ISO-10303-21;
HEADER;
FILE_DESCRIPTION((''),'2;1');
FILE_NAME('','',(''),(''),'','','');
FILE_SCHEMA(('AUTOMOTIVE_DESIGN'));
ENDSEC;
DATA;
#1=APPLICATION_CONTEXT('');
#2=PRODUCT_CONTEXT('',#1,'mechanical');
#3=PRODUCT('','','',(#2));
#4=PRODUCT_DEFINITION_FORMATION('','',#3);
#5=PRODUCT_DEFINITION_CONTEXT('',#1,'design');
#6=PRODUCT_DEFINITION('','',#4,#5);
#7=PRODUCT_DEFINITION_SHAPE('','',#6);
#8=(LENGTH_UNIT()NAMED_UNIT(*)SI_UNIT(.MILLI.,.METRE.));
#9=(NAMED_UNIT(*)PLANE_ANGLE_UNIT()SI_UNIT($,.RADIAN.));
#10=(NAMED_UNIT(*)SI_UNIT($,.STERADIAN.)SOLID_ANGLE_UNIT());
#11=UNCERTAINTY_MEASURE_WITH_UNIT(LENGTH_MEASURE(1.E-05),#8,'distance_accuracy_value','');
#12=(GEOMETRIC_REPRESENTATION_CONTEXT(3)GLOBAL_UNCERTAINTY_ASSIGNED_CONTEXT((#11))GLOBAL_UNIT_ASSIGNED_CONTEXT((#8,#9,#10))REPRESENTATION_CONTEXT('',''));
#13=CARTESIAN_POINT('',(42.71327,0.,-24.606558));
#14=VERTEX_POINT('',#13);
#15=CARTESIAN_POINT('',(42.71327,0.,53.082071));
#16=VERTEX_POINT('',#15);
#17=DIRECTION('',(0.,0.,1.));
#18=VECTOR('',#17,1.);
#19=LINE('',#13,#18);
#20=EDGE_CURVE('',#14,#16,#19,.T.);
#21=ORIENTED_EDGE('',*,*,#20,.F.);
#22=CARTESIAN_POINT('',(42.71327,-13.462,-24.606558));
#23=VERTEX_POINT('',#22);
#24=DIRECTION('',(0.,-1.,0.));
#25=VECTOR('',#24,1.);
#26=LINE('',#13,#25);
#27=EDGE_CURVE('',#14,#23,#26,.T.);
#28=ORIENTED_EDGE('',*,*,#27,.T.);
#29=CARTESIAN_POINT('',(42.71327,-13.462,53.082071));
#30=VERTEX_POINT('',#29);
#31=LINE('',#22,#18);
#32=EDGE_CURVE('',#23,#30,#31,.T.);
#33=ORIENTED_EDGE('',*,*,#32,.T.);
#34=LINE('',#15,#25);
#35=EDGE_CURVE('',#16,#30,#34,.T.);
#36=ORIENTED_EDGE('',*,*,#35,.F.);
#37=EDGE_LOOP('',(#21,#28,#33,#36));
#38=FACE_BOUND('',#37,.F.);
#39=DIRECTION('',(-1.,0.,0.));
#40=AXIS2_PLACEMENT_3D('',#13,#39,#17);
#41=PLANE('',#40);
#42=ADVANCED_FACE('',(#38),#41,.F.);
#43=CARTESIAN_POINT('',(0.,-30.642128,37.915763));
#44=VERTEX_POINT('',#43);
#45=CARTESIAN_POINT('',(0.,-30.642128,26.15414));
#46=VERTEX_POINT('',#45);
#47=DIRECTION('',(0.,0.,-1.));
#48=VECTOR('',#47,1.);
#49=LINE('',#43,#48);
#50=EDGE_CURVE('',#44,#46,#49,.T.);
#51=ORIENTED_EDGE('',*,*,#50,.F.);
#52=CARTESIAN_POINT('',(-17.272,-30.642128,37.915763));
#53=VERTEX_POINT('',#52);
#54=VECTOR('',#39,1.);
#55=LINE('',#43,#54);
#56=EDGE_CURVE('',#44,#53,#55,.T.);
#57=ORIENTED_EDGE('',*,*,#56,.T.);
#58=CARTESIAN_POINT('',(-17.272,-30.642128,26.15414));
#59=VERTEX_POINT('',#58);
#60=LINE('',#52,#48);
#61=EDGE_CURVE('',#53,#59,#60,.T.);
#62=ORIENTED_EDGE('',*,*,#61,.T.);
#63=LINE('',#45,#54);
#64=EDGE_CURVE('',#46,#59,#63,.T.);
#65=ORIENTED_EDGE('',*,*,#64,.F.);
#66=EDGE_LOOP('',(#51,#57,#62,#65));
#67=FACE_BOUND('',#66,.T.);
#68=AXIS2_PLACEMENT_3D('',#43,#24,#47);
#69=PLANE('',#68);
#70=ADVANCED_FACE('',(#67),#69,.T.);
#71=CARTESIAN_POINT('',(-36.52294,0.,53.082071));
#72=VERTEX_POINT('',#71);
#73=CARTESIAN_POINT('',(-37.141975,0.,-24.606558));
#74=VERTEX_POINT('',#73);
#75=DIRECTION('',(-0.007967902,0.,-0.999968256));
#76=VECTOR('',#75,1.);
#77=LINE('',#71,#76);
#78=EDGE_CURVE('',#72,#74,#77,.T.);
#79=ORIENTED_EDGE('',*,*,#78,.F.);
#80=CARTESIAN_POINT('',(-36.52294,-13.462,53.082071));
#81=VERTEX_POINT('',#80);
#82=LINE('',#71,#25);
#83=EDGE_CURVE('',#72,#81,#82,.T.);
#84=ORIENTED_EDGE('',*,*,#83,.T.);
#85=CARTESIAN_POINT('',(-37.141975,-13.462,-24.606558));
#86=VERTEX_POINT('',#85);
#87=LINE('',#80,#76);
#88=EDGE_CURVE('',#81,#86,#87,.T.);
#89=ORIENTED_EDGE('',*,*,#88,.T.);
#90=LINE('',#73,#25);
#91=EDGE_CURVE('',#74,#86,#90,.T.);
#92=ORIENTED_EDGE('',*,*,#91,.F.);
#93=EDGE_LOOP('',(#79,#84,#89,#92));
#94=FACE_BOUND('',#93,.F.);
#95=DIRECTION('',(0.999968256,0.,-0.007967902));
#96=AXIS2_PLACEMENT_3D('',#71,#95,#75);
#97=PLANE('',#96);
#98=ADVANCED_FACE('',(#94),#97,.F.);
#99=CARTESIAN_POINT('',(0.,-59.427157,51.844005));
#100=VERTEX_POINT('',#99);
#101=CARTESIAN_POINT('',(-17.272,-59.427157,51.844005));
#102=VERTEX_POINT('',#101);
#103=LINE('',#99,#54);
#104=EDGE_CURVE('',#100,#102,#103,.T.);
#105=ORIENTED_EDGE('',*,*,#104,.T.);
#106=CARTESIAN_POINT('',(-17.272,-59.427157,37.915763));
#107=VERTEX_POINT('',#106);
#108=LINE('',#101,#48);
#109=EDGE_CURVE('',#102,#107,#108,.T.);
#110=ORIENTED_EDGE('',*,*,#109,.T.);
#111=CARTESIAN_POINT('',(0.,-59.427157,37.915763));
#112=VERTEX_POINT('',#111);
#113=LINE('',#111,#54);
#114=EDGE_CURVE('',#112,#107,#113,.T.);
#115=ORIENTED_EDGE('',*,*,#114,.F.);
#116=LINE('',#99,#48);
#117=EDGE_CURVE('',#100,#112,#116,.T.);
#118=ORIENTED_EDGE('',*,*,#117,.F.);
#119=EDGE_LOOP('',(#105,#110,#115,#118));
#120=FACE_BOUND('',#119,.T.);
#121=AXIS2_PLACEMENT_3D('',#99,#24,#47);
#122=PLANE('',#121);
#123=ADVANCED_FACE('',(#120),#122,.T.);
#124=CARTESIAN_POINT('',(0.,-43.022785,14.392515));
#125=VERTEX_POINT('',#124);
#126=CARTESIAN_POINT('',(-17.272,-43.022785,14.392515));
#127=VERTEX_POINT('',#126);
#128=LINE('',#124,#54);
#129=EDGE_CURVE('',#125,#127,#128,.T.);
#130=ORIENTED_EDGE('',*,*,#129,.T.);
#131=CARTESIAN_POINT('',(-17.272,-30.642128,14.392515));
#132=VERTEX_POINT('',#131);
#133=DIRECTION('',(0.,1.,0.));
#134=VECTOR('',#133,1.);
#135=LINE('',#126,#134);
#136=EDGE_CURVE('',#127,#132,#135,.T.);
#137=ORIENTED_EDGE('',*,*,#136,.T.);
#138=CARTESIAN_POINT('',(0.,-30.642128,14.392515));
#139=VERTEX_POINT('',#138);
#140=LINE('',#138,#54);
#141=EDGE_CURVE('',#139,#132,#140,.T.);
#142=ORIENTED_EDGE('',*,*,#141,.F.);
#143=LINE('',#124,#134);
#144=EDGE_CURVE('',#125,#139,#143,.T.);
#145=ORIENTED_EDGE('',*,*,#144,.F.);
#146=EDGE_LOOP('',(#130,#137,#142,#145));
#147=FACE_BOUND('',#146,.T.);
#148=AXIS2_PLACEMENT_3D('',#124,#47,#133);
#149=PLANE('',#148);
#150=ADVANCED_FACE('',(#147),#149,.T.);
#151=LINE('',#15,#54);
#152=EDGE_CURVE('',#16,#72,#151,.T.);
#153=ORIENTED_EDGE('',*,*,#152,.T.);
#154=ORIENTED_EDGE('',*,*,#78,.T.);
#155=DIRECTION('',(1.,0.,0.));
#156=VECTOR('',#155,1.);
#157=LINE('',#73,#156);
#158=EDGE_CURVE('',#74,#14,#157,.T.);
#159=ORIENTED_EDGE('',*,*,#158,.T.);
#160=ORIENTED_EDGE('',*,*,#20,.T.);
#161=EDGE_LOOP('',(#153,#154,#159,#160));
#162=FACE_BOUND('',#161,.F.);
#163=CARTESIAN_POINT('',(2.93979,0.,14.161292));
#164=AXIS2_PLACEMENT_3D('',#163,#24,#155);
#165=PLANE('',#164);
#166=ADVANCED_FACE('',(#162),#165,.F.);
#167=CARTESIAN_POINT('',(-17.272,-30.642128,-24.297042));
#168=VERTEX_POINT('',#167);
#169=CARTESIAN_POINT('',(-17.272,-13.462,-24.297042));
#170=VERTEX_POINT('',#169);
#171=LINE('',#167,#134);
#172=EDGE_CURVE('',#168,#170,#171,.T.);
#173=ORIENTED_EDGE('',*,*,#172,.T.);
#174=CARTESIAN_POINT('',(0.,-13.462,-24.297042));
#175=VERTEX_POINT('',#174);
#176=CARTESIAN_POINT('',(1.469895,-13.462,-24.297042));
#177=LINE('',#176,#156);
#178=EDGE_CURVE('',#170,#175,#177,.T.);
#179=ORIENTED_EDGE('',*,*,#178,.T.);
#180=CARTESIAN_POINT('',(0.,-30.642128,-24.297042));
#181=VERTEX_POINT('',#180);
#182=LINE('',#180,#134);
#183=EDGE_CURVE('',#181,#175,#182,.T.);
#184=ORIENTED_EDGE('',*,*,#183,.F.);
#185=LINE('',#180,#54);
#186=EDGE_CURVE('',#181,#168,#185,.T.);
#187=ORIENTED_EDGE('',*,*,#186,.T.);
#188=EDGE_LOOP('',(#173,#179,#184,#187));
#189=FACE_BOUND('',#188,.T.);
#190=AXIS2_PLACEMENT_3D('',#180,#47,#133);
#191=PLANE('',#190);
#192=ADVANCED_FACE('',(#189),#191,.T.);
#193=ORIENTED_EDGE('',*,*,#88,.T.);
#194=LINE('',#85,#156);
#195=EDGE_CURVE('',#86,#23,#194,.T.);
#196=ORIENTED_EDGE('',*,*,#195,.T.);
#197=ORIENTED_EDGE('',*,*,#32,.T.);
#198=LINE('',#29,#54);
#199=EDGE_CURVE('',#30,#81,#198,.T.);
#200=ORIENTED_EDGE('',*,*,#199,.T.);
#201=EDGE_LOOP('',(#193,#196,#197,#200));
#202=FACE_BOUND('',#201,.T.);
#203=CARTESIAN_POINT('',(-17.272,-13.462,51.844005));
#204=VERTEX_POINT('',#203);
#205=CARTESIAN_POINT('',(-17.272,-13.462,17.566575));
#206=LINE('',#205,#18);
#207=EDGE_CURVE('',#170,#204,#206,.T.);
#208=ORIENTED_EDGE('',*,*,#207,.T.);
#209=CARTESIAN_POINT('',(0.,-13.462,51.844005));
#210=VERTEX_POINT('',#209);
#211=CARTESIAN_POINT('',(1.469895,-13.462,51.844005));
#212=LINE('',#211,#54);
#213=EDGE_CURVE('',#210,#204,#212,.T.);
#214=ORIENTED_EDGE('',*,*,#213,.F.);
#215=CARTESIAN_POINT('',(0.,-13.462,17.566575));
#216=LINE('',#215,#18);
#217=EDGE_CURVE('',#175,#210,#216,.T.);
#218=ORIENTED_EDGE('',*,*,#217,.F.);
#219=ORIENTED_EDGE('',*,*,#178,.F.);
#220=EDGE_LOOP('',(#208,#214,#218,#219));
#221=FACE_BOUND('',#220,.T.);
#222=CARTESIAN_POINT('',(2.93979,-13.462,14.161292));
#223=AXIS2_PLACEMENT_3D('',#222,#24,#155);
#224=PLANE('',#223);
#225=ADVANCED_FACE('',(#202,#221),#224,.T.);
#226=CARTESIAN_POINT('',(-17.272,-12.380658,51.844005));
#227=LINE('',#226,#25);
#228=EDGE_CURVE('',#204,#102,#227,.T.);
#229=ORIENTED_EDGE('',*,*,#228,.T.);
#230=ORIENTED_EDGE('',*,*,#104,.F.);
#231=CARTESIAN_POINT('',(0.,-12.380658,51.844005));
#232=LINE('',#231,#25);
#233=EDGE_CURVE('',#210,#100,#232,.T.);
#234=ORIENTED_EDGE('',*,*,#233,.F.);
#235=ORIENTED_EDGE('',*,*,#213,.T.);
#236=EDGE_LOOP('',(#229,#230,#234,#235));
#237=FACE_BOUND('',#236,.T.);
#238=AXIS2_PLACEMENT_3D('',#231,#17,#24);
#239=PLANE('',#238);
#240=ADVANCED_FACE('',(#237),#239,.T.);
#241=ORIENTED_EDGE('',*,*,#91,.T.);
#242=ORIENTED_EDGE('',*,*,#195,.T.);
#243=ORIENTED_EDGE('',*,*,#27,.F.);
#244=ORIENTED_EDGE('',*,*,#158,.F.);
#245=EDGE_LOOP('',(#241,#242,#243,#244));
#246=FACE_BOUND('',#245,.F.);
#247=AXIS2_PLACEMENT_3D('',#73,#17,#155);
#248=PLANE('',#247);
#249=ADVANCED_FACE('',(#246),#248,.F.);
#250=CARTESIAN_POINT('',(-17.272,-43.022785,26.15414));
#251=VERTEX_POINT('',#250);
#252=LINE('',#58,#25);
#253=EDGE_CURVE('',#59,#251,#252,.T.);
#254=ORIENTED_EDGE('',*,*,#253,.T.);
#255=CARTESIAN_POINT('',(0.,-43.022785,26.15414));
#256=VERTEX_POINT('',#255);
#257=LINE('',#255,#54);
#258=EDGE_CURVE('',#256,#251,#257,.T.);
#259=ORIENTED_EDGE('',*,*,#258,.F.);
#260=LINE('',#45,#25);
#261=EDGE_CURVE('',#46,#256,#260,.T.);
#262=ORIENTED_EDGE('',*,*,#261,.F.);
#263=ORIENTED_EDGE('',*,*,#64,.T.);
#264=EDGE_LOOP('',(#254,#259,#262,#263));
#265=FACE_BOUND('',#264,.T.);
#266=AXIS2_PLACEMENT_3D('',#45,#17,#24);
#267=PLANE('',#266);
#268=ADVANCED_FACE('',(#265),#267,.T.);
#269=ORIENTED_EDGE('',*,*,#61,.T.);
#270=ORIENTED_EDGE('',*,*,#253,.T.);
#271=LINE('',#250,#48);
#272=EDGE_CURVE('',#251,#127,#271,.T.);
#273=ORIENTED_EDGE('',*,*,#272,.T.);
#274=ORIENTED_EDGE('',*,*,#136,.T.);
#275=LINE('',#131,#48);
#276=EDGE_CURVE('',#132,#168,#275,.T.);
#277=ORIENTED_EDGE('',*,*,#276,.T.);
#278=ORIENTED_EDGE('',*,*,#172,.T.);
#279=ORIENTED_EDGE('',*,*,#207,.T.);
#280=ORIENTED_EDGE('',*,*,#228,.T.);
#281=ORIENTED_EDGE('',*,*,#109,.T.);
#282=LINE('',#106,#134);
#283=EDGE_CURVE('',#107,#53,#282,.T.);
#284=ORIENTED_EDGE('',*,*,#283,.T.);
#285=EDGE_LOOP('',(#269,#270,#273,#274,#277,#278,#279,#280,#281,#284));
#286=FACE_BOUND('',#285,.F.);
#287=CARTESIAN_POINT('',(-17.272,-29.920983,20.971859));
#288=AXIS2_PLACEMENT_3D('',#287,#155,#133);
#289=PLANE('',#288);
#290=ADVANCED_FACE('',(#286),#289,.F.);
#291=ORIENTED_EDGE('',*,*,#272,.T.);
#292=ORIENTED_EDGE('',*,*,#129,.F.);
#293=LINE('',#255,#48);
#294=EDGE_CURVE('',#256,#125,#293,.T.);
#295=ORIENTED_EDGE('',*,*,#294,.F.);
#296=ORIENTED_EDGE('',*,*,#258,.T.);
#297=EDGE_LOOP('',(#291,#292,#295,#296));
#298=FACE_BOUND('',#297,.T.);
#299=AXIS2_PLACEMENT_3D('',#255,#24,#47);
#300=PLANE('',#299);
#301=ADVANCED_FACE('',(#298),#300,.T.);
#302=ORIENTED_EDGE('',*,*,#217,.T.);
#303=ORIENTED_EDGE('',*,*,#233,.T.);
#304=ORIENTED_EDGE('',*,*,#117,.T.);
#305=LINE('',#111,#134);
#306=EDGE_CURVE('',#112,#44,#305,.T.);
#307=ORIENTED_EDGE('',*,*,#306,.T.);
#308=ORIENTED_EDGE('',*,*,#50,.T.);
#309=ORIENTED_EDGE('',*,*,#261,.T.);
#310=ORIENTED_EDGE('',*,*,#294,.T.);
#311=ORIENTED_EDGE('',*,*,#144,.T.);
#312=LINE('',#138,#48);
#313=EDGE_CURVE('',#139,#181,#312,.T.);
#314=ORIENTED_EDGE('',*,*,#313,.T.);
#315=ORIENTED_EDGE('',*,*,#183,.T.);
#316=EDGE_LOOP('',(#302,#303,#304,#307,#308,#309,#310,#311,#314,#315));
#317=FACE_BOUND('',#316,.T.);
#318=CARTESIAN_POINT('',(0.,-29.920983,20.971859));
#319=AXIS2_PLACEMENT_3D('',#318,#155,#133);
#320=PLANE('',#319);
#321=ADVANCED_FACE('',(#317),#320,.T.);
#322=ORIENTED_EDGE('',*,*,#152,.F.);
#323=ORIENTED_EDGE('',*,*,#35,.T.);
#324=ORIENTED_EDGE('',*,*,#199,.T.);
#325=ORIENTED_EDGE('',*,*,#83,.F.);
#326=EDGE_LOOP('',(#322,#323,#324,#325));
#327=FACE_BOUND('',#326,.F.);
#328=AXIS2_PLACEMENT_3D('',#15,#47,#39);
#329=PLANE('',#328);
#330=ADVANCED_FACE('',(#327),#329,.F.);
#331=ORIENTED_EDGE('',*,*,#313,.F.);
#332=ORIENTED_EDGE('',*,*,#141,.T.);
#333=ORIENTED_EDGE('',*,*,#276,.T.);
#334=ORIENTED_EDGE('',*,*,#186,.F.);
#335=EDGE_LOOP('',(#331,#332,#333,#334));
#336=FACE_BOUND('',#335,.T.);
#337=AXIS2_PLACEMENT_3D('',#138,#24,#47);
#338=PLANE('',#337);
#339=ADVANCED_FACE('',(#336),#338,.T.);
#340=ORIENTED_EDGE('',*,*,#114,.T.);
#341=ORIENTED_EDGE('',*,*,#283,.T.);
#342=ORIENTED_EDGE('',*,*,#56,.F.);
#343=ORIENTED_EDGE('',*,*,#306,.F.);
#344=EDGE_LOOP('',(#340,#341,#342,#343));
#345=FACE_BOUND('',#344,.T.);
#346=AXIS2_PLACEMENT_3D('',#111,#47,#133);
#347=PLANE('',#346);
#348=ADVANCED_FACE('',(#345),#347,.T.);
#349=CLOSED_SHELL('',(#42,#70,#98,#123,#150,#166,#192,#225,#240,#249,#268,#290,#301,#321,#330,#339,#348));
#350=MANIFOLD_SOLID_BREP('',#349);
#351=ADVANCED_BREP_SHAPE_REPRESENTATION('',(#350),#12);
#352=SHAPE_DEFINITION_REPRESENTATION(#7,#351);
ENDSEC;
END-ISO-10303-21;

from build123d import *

# Parameters (mm, degrees)
F1_DEPTH = 13.462
F3_DEPTH = 17.272


with BuildPart() as f1:
    # F0 (on Front) → F1 (new body)
    with BuildSketch(Plane.XZ):
        Polygon((42.71327, 53.082071), (-36.52294, 53.082071), (-37.141975, -24.606558), (42.71327, -24.606558), align=None)
    extrude(amount=F1_DEPTH)

    # F2 (on Right) → F3 (join)
    with BuildSketch(Plane.YZ):
        Polygon((-12.380658, 51.844005), (-59.427157, 51.844005), (-59.427157, 37.915763), (-30.642128, 37.915763), (-30.642128, 26.15414), (-43.022785, 26.15414), (-43.022785, 14.392515), (-30.642128, 14.392515), (-30.642128, -24.297042), (-12.380658, -24.297042), align=None)
    extrude(amount=-F3_DEPTH)


solid = f1.part
